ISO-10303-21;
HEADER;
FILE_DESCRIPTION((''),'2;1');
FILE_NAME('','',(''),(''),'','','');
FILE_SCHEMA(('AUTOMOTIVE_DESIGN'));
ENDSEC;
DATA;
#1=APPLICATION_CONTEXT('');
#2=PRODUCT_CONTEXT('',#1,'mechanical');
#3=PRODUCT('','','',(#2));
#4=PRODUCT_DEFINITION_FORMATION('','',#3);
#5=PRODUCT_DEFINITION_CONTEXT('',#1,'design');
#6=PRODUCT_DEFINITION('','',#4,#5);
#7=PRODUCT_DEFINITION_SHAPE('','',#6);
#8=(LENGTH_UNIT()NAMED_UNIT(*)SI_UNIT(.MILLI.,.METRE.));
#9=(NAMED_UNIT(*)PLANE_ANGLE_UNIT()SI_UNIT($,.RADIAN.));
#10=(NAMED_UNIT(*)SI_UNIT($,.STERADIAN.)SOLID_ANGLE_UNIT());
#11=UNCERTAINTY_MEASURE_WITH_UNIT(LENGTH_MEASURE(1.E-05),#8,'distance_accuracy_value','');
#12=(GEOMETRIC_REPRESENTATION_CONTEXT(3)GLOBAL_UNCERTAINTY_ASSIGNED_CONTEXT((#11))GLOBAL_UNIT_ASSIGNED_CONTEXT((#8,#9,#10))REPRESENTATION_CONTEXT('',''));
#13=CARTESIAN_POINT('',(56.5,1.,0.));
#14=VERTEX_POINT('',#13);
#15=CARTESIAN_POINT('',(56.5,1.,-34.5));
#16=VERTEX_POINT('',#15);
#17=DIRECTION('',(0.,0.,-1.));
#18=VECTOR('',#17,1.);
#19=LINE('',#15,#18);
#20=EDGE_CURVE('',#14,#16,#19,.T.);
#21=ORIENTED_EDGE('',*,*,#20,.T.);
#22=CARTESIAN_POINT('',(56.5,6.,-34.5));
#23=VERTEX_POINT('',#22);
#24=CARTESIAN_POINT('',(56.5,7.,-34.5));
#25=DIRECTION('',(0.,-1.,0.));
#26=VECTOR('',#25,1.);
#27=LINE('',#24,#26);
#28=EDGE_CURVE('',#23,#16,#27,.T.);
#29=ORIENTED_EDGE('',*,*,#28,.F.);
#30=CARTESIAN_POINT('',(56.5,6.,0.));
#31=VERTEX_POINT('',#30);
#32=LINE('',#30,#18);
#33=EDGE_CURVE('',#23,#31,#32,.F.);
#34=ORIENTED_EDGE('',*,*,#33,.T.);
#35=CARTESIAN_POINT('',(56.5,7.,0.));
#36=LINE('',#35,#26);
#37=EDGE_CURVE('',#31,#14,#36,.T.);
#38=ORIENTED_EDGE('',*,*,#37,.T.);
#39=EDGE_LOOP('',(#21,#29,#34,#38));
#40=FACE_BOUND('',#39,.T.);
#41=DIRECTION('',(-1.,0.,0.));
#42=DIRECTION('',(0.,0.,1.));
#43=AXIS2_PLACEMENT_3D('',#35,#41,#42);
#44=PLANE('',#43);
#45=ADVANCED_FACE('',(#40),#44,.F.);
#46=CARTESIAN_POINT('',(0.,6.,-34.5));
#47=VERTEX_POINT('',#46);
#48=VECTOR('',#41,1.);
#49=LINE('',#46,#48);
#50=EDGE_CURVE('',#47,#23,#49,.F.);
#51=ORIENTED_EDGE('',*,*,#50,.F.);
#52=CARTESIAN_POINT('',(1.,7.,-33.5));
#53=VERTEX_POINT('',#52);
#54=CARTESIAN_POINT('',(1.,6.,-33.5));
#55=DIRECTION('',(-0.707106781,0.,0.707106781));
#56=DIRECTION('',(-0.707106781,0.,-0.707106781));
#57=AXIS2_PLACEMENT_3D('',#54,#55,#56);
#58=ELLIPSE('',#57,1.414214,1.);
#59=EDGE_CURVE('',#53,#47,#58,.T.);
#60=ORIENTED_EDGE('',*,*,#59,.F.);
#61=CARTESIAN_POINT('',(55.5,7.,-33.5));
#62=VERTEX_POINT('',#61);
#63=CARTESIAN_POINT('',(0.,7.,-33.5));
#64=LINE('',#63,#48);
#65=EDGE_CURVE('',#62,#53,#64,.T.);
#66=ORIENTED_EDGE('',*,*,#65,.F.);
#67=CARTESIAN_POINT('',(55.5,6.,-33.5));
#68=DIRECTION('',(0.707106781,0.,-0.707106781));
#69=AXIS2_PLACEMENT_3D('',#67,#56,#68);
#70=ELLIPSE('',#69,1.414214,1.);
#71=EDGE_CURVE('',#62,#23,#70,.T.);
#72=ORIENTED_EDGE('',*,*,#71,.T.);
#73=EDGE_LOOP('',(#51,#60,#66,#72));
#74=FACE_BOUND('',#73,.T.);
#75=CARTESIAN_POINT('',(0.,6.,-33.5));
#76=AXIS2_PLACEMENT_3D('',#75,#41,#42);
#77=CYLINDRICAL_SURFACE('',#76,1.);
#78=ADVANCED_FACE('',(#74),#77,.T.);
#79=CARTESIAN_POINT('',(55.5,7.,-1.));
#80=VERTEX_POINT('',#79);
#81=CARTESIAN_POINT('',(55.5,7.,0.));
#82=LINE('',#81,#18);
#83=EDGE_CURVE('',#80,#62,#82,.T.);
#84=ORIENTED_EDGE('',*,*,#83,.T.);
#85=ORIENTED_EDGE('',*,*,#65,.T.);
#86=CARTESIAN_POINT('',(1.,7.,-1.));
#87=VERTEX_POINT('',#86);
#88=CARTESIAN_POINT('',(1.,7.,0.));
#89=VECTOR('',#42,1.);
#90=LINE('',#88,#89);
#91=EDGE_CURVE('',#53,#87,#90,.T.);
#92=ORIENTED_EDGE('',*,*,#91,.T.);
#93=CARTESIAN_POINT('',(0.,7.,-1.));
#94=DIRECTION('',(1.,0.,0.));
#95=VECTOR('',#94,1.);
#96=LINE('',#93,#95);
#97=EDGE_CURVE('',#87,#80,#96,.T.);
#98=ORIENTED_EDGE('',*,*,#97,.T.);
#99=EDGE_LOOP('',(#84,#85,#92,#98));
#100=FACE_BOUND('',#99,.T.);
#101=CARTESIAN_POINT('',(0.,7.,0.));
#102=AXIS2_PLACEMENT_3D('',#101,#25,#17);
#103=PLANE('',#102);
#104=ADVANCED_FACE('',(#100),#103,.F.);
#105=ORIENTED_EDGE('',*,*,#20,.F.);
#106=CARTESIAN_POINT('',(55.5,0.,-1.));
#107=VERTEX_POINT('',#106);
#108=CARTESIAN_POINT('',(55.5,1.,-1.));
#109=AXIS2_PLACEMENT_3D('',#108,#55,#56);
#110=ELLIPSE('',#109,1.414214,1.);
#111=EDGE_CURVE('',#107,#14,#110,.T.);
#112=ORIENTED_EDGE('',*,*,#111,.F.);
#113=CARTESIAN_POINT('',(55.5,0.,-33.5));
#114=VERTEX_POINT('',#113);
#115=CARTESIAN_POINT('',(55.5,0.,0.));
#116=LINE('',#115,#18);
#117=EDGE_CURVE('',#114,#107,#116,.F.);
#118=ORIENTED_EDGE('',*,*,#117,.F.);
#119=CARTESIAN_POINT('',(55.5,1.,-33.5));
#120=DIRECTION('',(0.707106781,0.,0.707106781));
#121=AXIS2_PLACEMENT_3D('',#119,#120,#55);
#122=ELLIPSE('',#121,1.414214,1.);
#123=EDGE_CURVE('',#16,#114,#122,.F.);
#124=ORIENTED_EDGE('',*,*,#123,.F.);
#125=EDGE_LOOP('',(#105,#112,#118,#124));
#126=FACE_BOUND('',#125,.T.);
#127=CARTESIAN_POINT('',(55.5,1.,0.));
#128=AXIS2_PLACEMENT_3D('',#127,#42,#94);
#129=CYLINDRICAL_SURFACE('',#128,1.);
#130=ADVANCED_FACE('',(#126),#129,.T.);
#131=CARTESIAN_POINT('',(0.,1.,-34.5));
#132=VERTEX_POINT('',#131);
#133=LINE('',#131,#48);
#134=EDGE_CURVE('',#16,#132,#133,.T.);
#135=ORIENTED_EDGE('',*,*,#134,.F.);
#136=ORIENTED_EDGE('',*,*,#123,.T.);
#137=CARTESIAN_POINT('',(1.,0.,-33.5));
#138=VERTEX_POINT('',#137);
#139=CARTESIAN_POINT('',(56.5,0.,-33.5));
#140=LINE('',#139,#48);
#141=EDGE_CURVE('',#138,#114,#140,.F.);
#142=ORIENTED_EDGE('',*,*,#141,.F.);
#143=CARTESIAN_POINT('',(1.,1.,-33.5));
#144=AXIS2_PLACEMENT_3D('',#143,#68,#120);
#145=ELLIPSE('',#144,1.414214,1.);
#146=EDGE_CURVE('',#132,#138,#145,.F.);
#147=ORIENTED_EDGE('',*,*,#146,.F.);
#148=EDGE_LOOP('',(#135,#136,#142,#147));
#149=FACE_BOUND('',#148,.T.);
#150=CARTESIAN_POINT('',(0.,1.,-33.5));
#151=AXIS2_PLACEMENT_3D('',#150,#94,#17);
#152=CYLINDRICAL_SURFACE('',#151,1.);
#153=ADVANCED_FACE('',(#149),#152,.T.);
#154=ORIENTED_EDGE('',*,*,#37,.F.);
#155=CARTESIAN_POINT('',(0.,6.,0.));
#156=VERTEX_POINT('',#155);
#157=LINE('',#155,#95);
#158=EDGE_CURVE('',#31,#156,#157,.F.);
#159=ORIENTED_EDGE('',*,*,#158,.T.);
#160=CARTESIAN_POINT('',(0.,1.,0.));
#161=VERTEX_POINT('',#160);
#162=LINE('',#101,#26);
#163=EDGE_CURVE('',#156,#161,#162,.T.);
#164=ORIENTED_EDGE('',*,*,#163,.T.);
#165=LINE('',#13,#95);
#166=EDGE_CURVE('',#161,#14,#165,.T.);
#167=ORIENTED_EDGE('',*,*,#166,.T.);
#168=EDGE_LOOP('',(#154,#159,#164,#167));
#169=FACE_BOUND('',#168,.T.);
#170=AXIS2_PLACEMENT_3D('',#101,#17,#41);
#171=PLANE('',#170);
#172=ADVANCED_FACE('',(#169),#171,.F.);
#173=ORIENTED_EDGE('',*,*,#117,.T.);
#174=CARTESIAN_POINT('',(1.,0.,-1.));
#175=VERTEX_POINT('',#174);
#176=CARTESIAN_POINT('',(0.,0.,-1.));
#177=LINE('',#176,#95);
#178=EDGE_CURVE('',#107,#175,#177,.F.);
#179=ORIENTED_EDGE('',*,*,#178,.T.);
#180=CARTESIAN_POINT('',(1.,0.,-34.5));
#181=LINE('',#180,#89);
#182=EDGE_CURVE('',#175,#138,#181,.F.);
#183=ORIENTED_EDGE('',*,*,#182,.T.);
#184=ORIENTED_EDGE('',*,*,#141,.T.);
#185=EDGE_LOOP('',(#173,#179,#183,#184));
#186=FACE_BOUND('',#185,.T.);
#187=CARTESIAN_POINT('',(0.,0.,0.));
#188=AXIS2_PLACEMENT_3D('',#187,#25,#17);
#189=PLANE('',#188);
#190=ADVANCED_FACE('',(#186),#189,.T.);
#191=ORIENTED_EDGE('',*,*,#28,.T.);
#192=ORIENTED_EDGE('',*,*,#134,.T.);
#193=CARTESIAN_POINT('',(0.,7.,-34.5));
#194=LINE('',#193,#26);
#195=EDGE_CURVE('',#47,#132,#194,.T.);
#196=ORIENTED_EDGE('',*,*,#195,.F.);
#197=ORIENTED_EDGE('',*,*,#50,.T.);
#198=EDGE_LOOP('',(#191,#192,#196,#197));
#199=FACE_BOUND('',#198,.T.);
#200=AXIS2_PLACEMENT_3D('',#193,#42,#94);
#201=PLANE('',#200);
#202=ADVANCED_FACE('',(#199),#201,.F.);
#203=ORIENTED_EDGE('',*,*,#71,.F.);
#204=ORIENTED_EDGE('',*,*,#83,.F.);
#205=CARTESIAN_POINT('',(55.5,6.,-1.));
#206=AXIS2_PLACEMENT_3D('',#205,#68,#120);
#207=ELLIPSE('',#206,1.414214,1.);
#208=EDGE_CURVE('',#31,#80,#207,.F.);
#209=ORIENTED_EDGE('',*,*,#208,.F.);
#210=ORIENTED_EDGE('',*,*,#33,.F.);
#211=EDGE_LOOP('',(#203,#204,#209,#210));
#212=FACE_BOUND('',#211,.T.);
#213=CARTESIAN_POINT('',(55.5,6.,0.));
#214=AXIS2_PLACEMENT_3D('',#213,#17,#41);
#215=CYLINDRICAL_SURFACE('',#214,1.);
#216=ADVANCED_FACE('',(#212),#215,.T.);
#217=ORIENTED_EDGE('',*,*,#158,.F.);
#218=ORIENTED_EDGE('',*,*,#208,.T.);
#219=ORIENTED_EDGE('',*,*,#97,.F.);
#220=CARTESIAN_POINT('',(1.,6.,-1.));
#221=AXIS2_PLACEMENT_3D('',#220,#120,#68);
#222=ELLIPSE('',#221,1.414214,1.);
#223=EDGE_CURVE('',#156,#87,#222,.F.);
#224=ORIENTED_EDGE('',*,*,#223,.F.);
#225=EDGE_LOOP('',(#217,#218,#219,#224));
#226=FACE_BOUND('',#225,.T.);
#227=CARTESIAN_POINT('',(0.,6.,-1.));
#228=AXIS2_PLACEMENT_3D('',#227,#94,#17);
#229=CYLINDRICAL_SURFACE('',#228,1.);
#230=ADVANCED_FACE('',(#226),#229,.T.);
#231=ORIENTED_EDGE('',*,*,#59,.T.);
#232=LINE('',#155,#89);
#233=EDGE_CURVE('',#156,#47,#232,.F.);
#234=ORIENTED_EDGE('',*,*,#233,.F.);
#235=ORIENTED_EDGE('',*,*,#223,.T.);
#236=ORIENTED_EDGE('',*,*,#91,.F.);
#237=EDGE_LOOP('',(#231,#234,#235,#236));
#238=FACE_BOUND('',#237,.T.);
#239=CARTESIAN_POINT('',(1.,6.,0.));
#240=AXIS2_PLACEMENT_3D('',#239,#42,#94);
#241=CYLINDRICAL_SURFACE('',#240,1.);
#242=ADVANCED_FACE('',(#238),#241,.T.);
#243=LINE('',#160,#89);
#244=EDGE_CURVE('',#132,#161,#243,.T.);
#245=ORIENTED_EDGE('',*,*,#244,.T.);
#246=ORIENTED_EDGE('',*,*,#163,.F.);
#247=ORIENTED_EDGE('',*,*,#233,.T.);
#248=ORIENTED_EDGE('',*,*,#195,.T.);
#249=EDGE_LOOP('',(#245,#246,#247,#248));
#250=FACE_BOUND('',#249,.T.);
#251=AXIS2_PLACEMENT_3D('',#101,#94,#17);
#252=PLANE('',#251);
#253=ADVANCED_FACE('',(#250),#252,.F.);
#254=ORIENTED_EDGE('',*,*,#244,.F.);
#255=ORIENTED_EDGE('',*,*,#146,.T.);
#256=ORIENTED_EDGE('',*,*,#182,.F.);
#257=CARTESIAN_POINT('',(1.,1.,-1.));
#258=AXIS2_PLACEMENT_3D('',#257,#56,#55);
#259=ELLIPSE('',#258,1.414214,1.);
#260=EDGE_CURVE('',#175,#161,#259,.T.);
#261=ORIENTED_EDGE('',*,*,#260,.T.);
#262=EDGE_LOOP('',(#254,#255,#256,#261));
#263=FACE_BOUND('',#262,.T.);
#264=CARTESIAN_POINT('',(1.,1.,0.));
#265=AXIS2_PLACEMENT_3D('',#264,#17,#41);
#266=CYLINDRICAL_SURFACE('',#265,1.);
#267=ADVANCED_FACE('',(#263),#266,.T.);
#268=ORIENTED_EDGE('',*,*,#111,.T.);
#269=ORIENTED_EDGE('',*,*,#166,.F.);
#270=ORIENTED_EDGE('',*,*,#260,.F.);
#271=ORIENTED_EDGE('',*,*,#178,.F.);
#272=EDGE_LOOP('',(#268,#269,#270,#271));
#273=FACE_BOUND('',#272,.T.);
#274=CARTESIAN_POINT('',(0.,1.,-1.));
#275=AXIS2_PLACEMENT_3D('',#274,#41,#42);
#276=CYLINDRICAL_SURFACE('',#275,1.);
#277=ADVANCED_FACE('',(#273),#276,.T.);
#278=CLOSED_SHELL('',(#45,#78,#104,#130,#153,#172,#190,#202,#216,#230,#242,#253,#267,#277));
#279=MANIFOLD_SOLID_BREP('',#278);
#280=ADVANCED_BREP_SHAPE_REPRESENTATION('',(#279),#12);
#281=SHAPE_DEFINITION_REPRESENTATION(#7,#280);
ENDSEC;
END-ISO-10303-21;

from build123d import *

# Parameters (mm, degrees)
SKETCH_1_W      = 56.5
SKETCH_1_H      = 34.5
EXTRUDE_1_DEPTH = 7
FILLET_1_R      = 1


with BuildPart() as part:
    # 草圖1 → 填料-伸長1 (new body)
    with BuildSketch(Plane(origin=(0, 0, 0), x_dir=(1, 0, 0), z_dir=(0, 1, 0))):
        with Locations((28.25, 17.25)):
            Rectangle(SKETCH_1_W, SKETCH_1_H)
    extrude(amount=EXTRUDE_1_DEPTH)

    # 圓角1
    fillet_1_edges = [part.edges().sort_by_distance(p)[0] for p in [
        (56.5, 7, -17.25),
        (28.25, 7, -34.5),
        (0, 7, -17.25),
        (28.25, 0, -34.5),
        (56.5, 0, -17.25),
        (28.25, 0, 0),
        (0, 0, -17.25),
        (28.25, 7, 0),
    ]]
    fillet(fillet_1_edges, radius=FILLET_1_R)


solid = part.part
